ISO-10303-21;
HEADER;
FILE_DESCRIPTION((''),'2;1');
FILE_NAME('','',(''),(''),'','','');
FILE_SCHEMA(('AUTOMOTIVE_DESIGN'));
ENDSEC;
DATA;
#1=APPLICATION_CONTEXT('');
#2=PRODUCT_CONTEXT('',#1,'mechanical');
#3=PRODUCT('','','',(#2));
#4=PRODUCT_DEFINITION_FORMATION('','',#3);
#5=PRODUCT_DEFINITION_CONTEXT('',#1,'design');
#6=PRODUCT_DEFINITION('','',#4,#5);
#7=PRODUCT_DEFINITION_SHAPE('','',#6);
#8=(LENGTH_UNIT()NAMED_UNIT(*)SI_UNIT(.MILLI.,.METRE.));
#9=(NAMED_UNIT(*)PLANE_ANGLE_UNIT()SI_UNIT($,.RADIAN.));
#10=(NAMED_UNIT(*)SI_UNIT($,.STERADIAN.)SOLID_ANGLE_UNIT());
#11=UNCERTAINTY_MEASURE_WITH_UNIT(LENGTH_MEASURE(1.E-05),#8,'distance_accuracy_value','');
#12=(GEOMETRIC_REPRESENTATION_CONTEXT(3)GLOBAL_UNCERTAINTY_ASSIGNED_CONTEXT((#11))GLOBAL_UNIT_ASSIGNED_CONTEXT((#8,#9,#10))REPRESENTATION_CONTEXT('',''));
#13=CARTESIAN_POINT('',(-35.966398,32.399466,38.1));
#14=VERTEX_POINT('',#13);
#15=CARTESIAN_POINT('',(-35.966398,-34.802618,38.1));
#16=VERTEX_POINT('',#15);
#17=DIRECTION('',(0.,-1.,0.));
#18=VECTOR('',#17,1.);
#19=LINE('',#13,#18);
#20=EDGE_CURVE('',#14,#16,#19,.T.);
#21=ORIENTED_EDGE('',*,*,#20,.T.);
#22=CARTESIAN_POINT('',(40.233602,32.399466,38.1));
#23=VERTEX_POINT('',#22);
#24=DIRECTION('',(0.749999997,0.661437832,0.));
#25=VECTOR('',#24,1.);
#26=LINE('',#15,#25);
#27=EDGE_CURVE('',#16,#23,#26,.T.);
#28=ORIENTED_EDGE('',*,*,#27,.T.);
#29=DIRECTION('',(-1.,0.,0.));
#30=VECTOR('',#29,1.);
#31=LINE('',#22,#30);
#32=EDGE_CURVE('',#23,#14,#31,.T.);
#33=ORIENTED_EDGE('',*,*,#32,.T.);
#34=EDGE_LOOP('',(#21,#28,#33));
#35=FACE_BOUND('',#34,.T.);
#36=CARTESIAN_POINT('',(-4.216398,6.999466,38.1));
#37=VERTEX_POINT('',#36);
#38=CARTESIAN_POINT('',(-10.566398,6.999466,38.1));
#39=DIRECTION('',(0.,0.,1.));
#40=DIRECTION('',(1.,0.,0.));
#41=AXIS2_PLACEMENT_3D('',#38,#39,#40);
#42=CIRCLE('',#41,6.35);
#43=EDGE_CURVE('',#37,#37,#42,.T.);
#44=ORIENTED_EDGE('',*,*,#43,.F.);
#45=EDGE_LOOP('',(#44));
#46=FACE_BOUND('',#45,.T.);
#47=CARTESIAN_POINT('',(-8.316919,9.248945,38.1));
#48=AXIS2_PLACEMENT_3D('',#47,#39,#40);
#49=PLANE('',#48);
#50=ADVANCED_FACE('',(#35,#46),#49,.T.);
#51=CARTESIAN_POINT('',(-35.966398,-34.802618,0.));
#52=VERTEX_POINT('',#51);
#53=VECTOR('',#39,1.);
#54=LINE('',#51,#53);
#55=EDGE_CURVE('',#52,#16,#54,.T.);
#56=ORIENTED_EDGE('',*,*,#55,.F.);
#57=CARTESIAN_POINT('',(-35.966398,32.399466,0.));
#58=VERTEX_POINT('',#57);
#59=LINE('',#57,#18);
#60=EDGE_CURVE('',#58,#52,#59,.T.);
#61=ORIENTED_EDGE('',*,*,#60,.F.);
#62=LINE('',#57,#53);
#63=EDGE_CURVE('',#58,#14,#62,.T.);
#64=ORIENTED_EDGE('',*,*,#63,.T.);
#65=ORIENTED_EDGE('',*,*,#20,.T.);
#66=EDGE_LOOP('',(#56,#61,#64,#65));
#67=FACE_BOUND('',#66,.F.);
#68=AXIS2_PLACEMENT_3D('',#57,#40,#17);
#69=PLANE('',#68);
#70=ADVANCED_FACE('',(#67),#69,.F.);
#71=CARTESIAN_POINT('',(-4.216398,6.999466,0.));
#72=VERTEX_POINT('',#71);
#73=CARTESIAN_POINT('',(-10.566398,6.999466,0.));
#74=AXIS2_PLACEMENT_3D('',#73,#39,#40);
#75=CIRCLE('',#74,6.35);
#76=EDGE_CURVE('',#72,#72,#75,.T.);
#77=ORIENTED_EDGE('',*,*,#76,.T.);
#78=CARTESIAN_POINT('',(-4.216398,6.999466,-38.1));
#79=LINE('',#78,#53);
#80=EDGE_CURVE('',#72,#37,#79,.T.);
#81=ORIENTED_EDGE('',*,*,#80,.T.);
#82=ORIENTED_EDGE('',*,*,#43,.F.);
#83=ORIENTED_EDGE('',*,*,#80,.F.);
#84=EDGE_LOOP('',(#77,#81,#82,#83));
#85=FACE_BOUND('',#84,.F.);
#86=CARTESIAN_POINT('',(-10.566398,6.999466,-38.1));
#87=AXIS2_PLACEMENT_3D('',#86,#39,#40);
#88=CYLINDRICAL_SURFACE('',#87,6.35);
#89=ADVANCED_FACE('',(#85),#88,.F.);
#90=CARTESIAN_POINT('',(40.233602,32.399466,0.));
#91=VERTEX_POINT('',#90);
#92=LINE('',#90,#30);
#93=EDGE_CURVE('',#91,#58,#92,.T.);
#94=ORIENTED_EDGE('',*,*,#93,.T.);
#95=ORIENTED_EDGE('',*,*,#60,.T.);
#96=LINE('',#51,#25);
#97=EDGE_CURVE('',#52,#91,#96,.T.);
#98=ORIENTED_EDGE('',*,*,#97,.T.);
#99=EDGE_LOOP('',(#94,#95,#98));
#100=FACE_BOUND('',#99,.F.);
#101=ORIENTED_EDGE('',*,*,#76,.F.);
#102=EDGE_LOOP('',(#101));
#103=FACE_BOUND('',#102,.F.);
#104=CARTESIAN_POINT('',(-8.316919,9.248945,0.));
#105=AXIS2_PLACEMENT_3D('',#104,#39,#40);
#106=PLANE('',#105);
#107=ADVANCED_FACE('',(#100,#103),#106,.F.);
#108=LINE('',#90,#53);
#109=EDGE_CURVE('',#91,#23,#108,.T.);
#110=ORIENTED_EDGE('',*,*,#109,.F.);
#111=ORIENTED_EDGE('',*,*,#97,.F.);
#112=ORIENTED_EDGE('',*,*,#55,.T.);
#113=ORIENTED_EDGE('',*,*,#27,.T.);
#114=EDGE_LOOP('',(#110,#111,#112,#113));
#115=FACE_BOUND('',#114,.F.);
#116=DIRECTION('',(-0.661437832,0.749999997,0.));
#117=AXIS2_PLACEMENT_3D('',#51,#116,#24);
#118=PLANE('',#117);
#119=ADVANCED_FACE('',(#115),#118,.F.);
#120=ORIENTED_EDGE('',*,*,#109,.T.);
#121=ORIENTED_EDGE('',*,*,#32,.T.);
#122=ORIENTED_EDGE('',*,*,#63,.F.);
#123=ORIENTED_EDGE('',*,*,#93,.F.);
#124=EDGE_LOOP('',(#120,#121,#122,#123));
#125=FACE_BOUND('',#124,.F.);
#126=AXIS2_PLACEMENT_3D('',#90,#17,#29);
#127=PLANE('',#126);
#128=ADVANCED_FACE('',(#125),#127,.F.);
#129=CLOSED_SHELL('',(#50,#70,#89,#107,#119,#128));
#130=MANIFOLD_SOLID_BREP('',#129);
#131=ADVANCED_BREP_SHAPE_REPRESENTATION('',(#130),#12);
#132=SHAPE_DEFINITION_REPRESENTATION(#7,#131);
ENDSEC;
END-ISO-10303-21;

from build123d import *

# Parameters (mm, degrees)
F1_DEPTH       = 38.1
F3_D           = 6.35
F3_CBORE_D     = 12.7
F3_CBORE_DEPTH = 76.2


with BuildPart() as f1:
    # F0 (on Top) → F1 (new body)
    with BuildSketch(Plane.XY):
        Polygon((-35.966398, 32.399466), (-35.966398, -34.802618), (40.233602, 32.399466), align=None)
    extrude(amount=F1_DEPTH)

    # F3 (through all)
    with Locations(Plane.XY.offset(38.1)):
        with Locations((-10.566398, 6.999466)):
            CounterBoreHole(F3_D / 2, F3_CBORE_D / 2, F3_CBORE_DEPTH)


solid = f1.part
